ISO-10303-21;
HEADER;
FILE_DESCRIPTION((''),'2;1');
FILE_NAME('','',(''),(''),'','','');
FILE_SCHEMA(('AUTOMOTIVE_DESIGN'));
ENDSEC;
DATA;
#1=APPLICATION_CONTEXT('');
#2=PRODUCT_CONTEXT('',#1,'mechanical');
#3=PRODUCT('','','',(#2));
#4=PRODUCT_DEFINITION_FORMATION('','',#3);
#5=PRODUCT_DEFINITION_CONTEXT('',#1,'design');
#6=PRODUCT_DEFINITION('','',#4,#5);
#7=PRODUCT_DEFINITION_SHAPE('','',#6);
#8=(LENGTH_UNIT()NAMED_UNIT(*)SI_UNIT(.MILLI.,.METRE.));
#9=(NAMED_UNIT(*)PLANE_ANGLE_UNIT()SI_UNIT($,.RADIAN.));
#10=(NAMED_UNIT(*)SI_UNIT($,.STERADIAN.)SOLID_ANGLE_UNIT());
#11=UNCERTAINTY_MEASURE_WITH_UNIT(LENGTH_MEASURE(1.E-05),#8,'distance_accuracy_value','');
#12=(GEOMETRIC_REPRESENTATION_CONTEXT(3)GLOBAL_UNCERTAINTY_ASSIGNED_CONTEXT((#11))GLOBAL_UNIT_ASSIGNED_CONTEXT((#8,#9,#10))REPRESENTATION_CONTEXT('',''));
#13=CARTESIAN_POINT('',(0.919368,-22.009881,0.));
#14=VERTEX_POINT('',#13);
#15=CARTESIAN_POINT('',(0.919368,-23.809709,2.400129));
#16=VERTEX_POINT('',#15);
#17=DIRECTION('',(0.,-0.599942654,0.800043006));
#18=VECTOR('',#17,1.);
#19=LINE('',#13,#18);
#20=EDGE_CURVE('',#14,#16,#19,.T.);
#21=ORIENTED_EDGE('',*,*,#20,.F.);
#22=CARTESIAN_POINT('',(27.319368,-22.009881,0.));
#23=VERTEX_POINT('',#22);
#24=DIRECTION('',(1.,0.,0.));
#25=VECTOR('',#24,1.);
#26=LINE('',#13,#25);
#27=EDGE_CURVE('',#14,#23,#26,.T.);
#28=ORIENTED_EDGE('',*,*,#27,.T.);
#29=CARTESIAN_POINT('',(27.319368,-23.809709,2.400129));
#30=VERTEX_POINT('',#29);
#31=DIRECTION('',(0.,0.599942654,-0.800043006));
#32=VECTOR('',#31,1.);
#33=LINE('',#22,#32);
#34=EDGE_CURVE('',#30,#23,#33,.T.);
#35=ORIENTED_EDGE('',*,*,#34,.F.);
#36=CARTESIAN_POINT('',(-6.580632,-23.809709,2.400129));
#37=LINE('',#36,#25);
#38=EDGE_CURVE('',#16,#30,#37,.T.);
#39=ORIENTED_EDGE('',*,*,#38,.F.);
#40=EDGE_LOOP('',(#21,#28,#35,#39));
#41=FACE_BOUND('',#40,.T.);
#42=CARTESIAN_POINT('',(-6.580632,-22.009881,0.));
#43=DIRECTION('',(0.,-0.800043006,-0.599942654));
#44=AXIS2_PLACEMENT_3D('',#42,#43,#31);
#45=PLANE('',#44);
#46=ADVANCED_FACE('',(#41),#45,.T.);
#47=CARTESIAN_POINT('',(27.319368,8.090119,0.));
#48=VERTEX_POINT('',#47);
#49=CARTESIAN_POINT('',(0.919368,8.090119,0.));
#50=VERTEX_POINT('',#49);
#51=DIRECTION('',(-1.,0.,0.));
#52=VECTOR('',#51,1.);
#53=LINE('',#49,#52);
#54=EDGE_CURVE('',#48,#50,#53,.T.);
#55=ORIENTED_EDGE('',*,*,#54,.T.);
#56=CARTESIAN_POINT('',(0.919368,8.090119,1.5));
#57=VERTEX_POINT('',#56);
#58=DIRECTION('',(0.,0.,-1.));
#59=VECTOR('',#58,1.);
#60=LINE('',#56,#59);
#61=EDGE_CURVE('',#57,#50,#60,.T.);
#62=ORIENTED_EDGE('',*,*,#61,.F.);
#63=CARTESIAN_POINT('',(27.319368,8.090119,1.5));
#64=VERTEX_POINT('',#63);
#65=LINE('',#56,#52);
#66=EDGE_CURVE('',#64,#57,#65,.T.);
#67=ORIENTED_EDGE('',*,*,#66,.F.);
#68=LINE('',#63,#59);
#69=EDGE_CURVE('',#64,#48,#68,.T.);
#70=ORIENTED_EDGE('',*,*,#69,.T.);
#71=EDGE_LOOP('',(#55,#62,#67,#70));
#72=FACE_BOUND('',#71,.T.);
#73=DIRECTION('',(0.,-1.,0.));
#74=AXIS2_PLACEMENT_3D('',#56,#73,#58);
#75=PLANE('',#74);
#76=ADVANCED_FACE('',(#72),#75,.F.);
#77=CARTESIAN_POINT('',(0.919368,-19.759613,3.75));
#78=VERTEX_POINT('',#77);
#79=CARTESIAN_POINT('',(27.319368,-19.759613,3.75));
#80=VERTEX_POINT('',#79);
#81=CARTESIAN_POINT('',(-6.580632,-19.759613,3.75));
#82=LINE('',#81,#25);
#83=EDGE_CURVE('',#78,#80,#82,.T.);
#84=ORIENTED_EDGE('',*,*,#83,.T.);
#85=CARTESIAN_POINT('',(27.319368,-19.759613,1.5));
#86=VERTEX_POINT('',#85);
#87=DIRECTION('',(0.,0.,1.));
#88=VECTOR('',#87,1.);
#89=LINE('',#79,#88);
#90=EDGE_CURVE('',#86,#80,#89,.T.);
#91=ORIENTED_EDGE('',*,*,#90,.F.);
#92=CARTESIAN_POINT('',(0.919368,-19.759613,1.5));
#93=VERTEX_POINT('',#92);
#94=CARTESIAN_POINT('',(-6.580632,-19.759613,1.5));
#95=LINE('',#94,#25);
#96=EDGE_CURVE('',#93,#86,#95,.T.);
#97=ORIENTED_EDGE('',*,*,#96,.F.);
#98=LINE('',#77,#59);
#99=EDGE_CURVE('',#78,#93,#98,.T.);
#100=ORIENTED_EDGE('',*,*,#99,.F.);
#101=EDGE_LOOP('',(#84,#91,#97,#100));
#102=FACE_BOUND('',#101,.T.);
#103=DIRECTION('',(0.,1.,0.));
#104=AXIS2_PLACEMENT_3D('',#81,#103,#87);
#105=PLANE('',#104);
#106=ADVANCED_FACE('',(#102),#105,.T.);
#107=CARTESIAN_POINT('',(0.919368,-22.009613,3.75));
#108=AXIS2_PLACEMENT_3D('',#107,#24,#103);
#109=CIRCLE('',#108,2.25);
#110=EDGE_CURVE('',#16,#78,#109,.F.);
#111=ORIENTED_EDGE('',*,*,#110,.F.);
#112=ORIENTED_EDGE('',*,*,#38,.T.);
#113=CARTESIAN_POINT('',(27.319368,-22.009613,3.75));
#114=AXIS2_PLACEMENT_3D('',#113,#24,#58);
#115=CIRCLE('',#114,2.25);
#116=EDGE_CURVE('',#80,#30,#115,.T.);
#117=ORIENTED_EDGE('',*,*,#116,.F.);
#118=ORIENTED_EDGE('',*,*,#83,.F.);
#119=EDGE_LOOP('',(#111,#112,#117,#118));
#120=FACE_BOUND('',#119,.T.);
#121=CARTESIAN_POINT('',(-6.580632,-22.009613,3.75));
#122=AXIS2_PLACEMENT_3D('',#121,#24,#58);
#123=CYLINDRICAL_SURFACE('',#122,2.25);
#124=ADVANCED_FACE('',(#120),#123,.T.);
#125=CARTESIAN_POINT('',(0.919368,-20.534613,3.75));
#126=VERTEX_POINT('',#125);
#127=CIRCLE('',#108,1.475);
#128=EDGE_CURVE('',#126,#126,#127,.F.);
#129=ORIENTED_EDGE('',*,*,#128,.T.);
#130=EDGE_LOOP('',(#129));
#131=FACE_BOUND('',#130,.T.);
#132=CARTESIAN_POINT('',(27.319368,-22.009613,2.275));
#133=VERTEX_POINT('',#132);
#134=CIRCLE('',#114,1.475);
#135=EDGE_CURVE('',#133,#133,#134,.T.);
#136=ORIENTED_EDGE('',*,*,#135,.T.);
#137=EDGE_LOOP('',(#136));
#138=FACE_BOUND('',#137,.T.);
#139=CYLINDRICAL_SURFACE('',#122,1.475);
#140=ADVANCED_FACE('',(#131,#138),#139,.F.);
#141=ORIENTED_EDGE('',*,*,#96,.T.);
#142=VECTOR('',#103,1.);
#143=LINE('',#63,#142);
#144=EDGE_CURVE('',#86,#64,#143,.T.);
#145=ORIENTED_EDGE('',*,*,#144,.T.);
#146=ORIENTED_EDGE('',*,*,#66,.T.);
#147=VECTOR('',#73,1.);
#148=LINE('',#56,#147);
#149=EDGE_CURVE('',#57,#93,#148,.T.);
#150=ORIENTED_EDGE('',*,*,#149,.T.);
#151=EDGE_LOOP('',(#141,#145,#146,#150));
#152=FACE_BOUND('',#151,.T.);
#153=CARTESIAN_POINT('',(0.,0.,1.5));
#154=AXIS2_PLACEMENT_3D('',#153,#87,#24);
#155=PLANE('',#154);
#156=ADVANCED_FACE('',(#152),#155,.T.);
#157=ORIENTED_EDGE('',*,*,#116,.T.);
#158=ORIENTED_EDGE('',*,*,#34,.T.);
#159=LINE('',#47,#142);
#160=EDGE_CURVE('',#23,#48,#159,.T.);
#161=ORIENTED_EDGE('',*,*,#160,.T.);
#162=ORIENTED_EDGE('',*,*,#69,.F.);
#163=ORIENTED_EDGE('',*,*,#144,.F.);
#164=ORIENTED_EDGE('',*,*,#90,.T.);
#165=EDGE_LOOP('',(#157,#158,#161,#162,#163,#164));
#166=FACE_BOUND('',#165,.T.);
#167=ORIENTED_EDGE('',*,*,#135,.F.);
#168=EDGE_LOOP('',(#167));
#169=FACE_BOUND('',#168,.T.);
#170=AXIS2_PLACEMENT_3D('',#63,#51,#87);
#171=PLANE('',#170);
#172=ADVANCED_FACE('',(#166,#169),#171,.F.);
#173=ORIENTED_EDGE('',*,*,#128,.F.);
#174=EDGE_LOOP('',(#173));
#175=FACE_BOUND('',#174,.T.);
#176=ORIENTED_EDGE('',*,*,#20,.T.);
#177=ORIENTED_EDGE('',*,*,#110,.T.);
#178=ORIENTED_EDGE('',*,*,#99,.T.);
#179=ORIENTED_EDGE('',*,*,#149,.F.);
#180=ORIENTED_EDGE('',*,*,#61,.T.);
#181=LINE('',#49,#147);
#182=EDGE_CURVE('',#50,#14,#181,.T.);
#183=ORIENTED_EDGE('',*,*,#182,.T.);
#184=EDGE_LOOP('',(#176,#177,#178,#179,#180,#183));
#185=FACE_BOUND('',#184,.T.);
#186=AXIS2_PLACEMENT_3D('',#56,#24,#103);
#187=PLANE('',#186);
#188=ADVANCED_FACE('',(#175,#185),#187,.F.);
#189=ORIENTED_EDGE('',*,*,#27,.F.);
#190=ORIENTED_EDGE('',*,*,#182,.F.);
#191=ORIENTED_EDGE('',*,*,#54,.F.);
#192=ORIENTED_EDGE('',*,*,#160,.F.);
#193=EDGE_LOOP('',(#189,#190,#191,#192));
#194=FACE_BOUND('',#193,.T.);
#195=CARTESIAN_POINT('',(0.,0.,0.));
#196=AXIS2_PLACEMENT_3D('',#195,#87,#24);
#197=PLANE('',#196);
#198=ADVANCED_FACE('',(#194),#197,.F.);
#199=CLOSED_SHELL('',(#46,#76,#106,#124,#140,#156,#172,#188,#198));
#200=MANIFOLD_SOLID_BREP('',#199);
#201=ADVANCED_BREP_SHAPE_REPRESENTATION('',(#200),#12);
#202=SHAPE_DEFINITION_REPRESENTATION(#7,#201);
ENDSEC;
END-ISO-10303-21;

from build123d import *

# Parameters (mm, degrees)
CROQUIS1_W              = 26.4
CROQUIS1_H              = 30.1
SALIENTE_EXTRUIR1_DEPTH = 1.5
CROQUIS3_R              = 1.475
SALIENTE_EXTRUIR3_DEPTH = 26.4


with BuildPart() as part:
    # Croquis1 → Saliente-Extruir1 (new body)
    with BuildSketch(Plane.XY):
        with Locations((14.119367589, -6.959881423)):
            Rectangle(CROQUIS1_W, CROQUIS1_H)
    extrude(amount=SALIENTE_EXTRUIR1_DEPTH)

    # Croquis3 → Saliente-Extruir3 (add)
    with BuildSketch(Plane(origin=(27.319367589, 0, 0), x_dir=(0, 0, -1), z_dir=(1, 0, 0))):
        with BuildLine():
            Line((0, -22.009881423), (-2.400129029, -23.809709392))
            ThreePointArc((-2.400129029, -23.809709392), (-5.88456292, -22.721048598), (-3.75, -19.759612628))
            Line((-3.75, -19.759612628), (-1.5, -19.759612628))
            Line((-1.5, -19.759612628), (0, -22.009881423))
        make_face()
        with Locations((-3.75, -22.009612628)):
            Circle(CROQUIS3_R, mode=Mode.SUBTRACT)
    extrude(amount=-SALIENTE_EXTRUIR3_DEPTH)


solid = part.part
